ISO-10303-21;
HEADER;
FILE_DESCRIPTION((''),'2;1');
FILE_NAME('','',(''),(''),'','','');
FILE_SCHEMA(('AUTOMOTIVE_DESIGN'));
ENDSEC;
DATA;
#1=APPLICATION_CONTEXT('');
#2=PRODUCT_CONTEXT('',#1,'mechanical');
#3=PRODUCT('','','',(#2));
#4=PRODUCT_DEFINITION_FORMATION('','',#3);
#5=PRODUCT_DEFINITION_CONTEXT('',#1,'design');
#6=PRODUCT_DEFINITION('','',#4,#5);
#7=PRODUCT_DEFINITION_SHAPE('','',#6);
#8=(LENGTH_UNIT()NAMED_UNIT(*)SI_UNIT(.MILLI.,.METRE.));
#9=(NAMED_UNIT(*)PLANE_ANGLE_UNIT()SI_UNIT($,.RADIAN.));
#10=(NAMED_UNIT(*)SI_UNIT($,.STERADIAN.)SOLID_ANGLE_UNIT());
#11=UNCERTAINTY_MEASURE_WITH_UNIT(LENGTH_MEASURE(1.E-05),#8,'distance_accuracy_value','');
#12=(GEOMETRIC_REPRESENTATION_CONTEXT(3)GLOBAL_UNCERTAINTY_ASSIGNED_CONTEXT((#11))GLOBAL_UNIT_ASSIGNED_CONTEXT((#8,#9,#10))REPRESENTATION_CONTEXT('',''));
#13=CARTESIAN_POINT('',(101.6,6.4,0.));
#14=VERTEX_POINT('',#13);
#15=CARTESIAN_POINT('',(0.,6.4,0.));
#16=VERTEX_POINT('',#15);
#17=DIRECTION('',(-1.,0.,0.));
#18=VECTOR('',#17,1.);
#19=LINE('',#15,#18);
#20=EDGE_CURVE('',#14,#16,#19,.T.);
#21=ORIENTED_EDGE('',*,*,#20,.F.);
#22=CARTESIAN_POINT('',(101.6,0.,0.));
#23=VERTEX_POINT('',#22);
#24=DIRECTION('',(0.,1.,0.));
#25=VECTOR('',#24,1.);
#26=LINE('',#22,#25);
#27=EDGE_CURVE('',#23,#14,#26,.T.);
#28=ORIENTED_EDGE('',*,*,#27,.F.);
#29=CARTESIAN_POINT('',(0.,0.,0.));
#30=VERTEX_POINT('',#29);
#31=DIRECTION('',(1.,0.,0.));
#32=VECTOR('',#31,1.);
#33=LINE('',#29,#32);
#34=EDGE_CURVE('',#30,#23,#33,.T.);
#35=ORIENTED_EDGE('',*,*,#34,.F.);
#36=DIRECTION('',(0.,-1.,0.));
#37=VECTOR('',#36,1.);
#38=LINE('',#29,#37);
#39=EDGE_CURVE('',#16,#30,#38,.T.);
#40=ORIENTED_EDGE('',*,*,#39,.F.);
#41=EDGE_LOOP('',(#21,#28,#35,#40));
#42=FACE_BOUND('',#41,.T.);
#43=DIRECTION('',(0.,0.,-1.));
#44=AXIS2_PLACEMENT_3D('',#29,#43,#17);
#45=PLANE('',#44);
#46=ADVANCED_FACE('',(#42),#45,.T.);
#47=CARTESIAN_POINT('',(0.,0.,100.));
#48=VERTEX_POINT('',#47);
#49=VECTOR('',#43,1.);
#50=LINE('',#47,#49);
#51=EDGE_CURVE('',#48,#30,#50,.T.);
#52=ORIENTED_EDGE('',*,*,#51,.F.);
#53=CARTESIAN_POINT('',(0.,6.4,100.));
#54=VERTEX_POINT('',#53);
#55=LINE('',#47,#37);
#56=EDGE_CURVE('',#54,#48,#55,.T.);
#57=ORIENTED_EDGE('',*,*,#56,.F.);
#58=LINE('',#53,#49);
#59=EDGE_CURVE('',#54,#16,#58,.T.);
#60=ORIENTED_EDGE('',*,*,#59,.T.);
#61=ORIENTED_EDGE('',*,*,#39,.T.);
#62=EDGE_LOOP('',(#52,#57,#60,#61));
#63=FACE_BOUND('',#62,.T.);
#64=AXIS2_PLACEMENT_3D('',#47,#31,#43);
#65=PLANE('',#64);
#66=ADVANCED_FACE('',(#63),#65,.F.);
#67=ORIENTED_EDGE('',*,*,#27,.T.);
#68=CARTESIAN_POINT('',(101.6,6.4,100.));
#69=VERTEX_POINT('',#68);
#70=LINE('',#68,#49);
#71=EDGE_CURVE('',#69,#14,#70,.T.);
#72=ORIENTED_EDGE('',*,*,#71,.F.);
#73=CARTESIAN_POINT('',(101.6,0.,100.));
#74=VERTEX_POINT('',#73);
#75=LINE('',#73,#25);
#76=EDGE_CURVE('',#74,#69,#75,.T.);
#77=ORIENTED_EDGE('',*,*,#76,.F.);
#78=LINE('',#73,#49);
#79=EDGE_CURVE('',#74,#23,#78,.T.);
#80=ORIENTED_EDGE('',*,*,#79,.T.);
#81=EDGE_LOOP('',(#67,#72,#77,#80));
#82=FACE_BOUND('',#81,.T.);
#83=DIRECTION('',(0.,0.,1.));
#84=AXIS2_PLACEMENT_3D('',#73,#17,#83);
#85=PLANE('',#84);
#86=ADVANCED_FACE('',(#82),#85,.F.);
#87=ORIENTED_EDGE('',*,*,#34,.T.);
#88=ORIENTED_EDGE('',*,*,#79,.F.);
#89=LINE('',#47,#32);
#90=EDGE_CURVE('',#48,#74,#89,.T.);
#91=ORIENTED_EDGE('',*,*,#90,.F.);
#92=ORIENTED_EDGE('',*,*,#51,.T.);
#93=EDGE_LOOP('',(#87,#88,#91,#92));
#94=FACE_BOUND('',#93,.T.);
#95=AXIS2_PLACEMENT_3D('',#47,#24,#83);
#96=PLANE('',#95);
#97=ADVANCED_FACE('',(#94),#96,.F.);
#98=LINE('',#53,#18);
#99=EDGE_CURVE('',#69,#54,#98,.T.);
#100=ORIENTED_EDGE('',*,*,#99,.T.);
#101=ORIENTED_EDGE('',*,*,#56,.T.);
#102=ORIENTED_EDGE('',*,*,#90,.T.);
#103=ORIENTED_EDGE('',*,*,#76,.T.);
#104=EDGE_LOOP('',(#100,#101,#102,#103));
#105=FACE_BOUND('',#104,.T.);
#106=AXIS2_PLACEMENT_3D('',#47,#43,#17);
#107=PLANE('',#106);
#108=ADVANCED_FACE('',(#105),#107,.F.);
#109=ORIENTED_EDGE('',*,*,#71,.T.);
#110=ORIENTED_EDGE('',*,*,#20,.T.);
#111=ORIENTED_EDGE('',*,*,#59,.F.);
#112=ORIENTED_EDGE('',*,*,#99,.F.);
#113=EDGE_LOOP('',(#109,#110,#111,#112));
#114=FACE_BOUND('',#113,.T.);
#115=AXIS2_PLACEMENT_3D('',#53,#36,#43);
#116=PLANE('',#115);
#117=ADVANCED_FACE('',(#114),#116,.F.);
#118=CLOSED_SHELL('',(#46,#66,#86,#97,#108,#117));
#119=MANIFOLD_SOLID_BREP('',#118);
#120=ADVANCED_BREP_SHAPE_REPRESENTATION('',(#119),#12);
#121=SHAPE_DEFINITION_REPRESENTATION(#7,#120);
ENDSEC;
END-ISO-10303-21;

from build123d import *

# Parameters (mm, degrees)
CROQUIS1_W              = 101.6
CROQUIS1_H              = 6.4
SALIENTE_EXTRUIR1_DEPTH = 100


with BuildPart() as part:
    # Croquis1 → Saliente-Extruir1 (new body)
    with BuildSketch(Plane.XY):
        with Locations((50.8, 3.2)):
            Rectangle(CROQUIS1_W, CROQUIS1_H)
    extrude(amount=SALIENTE_EXTRUIR1_DEPTH)


solid = part.part
